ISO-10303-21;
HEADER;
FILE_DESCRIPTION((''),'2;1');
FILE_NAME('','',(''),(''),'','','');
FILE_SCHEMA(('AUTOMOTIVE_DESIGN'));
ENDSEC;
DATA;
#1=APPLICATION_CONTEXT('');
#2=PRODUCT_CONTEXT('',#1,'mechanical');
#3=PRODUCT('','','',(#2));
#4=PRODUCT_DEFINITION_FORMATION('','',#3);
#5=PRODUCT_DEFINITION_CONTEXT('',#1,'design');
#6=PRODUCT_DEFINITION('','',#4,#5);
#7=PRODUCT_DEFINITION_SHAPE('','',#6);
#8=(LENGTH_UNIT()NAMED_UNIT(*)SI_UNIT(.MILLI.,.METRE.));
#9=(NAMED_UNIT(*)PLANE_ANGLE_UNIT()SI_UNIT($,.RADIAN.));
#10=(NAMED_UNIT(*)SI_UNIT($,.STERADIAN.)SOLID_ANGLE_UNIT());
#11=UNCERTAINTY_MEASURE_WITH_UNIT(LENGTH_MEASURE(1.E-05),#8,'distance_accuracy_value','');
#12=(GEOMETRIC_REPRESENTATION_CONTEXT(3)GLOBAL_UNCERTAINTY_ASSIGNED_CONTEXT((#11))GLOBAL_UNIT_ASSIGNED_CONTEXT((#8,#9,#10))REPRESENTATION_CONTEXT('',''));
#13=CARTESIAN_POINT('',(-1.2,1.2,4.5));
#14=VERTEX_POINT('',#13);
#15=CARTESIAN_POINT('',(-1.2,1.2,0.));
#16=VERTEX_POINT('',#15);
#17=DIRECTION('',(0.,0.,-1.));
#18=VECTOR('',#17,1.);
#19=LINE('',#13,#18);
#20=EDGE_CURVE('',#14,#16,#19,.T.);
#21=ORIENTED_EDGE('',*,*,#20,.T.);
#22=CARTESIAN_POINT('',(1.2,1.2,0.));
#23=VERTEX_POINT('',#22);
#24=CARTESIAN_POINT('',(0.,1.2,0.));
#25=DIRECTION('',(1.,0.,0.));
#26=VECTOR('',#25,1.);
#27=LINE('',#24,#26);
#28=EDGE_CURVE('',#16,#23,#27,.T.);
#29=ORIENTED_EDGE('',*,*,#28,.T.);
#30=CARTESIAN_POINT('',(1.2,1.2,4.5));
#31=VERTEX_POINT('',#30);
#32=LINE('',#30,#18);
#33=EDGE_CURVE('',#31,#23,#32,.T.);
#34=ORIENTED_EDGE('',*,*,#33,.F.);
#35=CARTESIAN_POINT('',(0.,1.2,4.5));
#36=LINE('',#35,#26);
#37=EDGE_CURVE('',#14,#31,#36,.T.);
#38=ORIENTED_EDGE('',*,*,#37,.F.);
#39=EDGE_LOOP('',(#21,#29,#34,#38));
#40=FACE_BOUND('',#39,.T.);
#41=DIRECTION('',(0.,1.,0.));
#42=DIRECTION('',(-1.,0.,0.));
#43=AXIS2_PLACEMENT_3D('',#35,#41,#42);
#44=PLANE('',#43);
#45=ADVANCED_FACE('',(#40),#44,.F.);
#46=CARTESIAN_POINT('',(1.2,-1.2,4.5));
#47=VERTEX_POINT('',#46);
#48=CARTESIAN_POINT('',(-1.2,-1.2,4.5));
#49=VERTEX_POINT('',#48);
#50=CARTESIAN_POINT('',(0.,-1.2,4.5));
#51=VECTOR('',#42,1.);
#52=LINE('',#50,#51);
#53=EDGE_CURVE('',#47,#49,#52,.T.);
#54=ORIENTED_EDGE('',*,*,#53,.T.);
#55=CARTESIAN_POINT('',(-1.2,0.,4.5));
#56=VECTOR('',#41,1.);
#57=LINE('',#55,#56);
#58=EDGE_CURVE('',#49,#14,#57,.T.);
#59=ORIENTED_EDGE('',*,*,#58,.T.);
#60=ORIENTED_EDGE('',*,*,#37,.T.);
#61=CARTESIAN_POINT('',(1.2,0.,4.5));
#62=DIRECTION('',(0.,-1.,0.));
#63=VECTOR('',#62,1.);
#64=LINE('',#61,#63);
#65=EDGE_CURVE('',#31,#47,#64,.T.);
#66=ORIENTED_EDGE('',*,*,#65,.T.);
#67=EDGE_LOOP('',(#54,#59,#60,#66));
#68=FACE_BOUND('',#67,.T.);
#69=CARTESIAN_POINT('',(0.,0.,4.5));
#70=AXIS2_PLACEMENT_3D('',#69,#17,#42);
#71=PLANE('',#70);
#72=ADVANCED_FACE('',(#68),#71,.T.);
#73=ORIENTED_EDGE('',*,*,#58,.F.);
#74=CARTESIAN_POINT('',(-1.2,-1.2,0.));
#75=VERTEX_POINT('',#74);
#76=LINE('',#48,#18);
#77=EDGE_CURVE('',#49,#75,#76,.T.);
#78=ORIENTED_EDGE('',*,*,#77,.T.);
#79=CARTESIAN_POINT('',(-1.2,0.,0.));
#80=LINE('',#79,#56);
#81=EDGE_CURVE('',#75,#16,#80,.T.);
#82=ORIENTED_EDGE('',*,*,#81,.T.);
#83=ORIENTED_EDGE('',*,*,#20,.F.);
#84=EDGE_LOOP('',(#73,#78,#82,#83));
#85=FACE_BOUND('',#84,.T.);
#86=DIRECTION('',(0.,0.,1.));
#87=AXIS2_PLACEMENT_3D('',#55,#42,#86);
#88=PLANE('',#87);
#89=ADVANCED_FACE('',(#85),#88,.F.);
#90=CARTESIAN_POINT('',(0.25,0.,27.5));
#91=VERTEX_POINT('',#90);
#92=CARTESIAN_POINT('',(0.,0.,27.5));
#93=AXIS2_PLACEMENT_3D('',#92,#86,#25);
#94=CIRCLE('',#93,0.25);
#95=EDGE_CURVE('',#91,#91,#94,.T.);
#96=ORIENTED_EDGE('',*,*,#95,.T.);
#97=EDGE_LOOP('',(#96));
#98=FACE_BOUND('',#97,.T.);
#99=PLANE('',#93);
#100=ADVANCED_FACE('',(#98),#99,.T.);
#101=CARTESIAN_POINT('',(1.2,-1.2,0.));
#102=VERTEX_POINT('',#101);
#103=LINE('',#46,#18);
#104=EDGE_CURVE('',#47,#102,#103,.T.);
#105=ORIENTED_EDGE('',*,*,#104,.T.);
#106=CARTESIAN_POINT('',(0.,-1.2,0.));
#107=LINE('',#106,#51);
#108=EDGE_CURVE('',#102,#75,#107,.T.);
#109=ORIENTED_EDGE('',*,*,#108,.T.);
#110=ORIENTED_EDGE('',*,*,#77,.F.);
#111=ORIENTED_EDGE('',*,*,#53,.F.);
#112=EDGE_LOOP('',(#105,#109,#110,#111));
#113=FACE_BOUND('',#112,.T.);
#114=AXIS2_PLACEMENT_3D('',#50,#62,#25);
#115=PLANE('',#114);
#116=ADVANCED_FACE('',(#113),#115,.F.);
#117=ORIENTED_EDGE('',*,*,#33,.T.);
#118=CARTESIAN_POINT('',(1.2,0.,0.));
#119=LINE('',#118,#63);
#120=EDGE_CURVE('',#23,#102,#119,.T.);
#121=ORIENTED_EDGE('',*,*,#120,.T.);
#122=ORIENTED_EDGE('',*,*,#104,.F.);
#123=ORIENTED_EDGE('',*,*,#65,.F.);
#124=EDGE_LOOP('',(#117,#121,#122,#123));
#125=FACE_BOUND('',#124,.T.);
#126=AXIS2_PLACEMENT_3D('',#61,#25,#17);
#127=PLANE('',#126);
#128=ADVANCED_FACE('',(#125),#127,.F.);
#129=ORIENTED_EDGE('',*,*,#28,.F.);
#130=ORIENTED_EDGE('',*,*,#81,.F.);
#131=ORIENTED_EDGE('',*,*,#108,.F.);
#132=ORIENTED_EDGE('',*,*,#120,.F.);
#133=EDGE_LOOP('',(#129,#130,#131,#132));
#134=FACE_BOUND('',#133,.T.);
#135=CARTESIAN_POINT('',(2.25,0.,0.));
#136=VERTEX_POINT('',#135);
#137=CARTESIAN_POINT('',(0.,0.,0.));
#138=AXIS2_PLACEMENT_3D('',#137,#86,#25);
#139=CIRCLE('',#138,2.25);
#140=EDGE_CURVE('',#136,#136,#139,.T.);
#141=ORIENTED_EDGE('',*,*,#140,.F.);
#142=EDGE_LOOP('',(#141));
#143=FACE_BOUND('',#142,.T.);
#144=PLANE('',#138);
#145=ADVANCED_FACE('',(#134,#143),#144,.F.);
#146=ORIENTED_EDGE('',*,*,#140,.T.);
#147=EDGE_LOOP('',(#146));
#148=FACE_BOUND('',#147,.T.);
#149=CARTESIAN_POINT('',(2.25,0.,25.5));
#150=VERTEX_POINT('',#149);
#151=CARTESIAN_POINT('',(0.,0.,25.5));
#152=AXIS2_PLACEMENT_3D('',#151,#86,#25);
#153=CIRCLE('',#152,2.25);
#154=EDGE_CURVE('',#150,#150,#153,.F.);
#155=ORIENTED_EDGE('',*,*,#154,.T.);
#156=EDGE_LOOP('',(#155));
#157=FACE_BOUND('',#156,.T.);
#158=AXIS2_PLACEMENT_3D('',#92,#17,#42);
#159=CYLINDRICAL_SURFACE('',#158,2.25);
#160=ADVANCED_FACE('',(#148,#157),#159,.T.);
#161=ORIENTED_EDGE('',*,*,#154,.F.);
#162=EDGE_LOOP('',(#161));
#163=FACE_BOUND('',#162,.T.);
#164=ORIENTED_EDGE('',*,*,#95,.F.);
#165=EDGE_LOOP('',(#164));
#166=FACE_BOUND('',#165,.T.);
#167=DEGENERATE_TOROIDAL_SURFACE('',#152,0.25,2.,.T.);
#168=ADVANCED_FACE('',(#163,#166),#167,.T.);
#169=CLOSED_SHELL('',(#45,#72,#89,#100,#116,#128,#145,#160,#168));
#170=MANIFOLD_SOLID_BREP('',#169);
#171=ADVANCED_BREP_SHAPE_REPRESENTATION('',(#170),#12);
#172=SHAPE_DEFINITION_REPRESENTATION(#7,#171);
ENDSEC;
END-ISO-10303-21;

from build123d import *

# Parameters (mm, degrees)
SKETCH_1_R          = 2.25
EXTRUDE_2_DEPTH     = 27.5
SKETCH_7_W          = 2.4
SKETCH_7_H          = 2.4
CUT_EXTRUDE_3_DEPTH = 4.5
FILLET_2_R          = 2


with BuildPart() as part:
    # 草图1 → 凸台-拉伸2 (new body)
    with BuildSketch(Plane.XY):
        Circle(SKETCH_1_R)
    extrude(amount=EXTRUDE_2_DEPTH)

    # 草图7 → 切除-拉伸3 (cut)
    with BuildSketch(Plane.XY):
        Rectangle(SKETCH_7_W, SKETCH_7_H)
    extrude(amount=CUT_EXTRUDE_3_DEPTH, mode=Mode.SUBTRACT)

    # 圆角2
    fillet_2_edges = [part.edges().sort_by_distance(p)[0] for p in [
        (-2.25, 0, 27.5),
    ]]
    fillet(fillet_2_edges, radius=FILLET_2_R)


solid = part.part
